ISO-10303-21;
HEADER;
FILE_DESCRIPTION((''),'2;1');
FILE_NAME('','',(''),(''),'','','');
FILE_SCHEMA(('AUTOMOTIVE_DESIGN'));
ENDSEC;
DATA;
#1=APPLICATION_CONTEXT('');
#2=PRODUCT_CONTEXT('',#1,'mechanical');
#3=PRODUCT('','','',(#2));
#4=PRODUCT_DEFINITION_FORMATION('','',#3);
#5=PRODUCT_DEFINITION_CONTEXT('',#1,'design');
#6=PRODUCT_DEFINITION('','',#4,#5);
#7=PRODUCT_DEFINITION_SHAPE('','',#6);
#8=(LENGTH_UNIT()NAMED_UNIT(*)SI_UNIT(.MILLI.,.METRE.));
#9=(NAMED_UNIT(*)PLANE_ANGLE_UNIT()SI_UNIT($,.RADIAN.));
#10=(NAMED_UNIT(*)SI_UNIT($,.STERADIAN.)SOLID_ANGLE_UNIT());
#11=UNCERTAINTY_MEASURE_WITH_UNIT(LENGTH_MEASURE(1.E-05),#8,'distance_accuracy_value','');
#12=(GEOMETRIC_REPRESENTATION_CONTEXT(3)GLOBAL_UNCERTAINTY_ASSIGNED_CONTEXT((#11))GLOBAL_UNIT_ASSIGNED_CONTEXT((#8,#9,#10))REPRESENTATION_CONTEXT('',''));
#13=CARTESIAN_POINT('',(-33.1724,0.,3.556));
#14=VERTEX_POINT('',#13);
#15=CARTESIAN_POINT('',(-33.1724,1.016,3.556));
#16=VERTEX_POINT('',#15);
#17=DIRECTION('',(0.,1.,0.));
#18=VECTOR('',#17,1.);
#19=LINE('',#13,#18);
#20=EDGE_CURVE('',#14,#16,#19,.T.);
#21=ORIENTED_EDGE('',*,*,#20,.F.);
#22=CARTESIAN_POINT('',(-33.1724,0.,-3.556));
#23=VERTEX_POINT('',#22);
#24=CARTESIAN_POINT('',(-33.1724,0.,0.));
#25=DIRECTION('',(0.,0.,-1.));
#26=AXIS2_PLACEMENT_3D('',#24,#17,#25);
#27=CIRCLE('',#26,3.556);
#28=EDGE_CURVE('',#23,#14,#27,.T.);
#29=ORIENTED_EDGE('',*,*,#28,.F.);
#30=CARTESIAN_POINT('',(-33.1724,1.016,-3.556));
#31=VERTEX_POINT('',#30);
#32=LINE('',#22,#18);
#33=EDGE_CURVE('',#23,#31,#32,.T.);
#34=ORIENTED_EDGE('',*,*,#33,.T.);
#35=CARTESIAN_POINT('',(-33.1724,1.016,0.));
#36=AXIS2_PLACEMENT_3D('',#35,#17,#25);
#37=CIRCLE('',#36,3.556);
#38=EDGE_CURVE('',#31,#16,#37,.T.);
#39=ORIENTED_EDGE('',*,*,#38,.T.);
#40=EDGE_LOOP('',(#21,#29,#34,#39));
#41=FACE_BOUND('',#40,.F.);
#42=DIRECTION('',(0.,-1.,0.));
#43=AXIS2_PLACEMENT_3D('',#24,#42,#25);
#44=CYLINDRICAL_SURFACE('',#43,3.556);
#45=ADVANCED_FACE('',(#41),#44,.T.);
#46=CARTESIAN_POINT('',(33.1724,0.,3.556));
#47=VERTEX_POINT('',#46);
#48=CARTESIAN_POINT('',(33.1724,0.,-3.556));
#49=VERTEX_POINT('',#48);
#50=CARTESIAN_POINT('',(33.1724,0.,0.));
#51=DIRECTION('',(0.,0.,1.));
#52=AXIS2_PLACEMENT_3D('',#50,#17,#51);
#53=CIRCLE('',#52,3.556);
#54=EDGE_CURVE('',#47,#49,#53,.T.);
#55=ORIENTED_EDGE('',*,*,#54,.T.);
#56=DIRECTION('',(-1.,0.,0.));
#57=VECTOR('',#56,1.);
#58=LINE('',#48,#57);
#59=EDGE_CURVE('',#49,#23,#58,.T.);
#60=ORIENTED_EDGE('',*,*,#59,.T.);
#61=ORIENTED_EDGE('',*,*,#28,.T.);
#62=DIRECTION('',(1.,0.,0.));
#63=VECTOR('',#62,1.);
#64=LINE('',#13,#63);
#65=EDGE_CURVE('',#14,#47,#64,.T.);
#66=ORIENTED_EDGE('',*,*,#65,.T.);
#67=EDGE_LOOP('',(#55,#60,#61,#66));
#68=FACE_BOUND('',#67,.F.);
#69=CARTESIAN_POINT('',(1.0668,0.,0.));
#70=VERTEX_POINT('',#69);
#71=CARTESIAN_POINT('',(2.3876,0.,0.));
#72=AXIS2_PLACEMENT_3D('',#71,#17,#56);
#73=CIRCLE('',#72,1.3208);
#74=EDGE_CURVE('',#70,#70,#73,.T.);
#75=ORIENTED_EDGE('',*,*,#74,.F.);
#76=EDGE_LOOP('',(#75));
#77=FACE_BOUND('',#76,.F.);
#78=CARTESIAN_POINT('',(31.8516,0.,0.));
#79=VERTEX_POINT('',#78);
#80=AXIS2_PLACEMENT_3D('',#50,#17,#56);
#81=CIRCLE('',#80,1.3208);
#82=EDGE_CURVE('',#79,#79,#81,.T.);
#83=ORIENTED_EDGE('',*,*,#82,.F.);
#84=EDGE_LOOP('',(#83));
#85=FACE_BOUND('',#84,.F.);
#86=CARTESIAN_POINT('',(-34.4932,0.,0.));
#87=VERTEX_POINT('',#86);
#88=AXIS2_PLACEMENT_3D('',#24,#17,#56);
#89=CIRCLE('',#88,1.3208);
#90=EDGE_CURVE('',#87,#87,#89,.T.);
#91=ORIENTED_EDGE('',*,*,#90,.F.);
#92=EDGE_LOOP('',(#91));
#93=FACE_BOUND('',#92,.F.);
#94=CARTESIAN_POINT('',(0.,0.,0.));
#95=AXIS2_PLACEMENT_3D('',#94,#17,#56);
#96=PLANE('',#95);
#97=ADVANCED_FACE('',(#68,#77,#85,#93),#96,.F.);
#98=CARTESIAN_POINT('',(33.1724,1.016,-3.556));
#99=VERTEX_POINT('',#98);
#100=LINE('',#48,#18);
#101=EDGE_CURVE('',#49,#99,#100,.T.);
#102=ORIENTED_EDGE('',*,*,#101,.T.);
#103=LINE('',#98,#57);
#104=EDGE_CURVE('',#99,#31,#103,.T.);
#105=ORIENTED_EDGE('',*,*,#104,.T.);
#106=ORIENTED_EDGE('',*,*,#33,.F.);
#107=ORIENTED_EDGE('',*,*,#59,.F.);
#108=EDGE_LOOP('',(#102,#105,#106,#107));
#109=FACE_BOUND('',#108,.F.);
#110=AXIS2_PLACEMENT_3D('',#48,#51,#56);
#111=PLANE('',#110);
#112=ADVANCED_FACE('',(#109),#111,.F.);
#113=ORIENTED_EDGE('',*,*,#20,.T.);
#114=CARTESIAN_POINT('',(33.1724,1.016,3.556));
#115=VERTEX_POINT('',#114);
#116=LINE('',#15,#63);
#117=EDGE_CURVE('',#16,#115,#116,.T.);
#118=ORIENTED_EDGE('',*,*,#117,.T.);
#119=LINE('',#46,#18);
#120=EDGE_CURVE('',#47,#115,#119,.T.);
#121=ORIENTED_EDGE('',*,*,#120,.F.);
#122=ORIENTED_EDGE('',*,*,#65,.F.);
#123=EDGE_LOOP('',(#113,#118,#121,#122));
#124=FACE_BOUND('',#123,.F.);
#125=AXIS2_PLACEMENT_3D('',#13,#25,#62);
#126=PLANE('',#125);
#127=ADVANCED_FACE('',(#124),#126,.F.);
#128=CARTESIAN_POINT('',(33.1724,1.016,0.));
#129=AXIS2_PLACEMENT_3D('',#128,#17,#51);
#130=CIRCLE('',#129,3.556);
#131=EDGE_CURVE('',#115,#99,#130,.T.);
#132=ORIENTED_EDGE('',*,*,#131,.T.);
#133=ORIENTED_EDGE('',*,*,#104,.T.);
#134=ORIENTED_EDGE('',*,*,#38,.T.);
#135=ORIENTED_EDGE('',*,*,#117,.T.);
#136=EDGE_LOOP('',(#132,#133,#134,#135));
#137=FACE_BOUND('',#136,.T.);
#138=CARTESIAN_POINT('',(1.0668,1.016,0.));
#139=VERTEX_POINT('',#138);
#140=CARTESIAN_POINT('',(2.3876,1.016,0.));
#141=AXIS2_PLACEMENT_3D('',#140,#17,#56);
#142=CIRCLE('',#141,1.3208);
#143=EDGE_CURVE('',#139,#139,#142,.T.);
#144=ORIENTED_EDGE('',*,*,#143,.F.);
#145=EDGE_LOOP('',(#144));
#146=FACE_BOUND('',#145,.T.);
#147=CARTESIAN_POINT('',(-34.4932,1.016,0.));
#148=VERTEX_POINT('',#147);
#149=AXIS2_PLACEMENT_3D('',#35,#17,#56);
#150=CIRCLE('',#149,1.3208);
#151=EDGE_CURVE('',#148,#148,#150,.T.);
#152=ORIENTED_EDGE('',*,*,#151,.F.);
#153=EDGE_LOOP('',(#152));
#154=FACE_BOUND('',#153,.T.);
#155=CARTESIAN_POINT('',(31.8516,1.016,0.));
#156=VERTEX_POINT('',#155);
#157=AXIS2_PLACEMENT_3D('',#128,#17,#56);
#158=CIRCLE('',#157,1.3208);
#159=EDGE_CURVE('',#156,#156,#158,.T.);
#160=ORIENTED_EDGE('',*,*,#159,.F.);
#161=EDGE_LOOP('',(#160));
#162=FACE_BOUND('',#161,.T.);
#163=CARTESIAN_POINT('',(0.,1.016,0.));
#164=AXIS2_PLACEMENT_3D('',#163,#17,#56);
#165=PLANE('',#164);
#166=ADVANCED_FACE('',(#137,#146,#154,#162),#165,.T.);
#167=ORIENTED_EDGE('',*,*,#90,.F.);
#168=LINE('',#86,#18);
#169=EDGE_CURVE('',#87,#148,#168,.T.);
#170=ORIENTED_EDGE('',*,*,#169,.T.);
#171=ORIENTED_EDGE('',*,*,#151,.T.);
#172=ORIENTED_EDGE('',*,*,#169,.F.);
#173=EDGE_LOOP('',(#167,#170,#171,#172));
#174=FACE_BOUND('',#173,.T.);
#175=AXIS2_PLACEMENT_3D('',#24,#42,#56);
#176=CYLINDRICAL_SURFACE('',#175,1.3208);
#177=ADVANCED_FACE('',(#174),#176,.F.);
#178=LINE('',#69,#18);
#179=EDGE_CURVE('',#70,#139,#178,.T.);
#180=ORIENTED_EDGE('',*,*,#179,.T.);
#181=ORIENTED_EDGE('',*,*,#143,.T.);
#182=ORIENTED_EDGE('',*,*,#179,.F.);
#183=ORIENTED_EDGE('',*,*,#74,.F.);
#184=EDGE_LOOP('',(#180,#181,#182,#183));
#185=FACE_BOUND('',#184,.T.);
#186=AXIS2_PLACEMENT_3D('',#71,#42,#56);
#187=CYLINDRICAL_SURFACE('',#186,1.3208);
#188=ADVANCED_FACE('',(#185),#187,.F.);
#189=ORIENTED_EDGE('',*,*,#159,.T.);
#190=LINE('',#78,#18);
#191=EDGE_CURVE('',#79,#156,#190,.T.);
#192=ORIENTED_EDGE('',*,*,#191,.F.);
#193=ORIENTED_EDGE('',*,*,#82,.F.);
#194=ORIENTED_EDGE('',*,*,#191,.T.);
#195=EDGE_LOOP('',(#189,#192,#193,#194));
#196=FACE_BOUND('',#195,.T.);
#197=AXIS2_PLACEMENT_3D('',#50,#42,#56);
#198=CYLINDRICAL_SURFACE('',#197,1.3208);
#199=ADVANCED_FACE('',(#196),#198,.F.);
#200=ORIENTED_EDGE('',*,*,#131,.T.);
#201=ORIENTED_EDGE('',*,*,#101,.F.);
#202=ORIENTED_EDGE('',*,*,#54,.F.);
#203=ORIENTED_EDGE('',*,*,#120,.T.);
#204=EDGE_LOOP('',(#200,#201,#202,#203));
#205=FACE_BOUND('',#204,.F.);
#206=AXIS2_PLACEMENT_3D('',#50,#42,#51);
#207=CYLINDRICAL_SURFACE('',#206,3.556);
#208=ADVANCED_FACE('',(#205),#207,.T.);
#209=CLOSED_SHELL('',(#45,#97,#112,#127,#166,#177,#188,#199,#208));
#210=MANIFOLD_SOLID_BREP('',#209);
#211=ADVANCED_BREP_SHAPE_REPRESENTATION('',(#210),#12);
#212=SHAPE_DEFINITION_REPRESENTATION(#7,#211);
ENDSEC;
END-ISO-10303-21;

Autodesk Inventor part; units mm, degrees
ref_plane "YZ Plane" through (0, 0, 0) normal (1, 0, 0) x (0, 1, 0)
ref_plane "XZ Plane" through (0, 0, 0) normal (0, 1, 0) x (-1, 0, 0)
ref_plane "XY Plane" through (0, 0, 0) normal (0, 0, 1) x (1, 0, 0)
sketch "Sketch1" plane through (0, 0, 0) normal (0, 1, 0) x (-1, 0, 0)
  line L0 (33.1724, 3.556) -> (-33.1724, 3.556)
  line L1 (-33.1724, -3.556) -> (33.1724, -3.556)
  line L2 (33.1724, 3.556) -> (-33.1724, -3.556) construction
  line L3 (-33.1724, 3.556) -> (33.1724, -3.556) construction
  arc A0 (33.1724, -3.556) -> (33.1724, 3.556) centre (33.1724, 0) ccw
  arc A1 (-33.1724, 3.556) -> (-33.1724, -3.556) centre (-33.1724, 0) ccw
  circle A2 centre (33.1724, 0) radius 1.3208
  circle A3 centre (-2.3876, 0) radius 1.3208
  circle A4 centre (-33.1724, 0) radius 1.3208
  point P0 (0, 0)
  dimension "d2" = 2.6416
  dimension "d3" = 2.6416
  dimension "d4" = 2.6416
  dimension "d5" = 35.56
extrude "Extrusion1" add sketch "Sketch1" along normal blind 1.016
properties part number "ArmConnector1Mini"
